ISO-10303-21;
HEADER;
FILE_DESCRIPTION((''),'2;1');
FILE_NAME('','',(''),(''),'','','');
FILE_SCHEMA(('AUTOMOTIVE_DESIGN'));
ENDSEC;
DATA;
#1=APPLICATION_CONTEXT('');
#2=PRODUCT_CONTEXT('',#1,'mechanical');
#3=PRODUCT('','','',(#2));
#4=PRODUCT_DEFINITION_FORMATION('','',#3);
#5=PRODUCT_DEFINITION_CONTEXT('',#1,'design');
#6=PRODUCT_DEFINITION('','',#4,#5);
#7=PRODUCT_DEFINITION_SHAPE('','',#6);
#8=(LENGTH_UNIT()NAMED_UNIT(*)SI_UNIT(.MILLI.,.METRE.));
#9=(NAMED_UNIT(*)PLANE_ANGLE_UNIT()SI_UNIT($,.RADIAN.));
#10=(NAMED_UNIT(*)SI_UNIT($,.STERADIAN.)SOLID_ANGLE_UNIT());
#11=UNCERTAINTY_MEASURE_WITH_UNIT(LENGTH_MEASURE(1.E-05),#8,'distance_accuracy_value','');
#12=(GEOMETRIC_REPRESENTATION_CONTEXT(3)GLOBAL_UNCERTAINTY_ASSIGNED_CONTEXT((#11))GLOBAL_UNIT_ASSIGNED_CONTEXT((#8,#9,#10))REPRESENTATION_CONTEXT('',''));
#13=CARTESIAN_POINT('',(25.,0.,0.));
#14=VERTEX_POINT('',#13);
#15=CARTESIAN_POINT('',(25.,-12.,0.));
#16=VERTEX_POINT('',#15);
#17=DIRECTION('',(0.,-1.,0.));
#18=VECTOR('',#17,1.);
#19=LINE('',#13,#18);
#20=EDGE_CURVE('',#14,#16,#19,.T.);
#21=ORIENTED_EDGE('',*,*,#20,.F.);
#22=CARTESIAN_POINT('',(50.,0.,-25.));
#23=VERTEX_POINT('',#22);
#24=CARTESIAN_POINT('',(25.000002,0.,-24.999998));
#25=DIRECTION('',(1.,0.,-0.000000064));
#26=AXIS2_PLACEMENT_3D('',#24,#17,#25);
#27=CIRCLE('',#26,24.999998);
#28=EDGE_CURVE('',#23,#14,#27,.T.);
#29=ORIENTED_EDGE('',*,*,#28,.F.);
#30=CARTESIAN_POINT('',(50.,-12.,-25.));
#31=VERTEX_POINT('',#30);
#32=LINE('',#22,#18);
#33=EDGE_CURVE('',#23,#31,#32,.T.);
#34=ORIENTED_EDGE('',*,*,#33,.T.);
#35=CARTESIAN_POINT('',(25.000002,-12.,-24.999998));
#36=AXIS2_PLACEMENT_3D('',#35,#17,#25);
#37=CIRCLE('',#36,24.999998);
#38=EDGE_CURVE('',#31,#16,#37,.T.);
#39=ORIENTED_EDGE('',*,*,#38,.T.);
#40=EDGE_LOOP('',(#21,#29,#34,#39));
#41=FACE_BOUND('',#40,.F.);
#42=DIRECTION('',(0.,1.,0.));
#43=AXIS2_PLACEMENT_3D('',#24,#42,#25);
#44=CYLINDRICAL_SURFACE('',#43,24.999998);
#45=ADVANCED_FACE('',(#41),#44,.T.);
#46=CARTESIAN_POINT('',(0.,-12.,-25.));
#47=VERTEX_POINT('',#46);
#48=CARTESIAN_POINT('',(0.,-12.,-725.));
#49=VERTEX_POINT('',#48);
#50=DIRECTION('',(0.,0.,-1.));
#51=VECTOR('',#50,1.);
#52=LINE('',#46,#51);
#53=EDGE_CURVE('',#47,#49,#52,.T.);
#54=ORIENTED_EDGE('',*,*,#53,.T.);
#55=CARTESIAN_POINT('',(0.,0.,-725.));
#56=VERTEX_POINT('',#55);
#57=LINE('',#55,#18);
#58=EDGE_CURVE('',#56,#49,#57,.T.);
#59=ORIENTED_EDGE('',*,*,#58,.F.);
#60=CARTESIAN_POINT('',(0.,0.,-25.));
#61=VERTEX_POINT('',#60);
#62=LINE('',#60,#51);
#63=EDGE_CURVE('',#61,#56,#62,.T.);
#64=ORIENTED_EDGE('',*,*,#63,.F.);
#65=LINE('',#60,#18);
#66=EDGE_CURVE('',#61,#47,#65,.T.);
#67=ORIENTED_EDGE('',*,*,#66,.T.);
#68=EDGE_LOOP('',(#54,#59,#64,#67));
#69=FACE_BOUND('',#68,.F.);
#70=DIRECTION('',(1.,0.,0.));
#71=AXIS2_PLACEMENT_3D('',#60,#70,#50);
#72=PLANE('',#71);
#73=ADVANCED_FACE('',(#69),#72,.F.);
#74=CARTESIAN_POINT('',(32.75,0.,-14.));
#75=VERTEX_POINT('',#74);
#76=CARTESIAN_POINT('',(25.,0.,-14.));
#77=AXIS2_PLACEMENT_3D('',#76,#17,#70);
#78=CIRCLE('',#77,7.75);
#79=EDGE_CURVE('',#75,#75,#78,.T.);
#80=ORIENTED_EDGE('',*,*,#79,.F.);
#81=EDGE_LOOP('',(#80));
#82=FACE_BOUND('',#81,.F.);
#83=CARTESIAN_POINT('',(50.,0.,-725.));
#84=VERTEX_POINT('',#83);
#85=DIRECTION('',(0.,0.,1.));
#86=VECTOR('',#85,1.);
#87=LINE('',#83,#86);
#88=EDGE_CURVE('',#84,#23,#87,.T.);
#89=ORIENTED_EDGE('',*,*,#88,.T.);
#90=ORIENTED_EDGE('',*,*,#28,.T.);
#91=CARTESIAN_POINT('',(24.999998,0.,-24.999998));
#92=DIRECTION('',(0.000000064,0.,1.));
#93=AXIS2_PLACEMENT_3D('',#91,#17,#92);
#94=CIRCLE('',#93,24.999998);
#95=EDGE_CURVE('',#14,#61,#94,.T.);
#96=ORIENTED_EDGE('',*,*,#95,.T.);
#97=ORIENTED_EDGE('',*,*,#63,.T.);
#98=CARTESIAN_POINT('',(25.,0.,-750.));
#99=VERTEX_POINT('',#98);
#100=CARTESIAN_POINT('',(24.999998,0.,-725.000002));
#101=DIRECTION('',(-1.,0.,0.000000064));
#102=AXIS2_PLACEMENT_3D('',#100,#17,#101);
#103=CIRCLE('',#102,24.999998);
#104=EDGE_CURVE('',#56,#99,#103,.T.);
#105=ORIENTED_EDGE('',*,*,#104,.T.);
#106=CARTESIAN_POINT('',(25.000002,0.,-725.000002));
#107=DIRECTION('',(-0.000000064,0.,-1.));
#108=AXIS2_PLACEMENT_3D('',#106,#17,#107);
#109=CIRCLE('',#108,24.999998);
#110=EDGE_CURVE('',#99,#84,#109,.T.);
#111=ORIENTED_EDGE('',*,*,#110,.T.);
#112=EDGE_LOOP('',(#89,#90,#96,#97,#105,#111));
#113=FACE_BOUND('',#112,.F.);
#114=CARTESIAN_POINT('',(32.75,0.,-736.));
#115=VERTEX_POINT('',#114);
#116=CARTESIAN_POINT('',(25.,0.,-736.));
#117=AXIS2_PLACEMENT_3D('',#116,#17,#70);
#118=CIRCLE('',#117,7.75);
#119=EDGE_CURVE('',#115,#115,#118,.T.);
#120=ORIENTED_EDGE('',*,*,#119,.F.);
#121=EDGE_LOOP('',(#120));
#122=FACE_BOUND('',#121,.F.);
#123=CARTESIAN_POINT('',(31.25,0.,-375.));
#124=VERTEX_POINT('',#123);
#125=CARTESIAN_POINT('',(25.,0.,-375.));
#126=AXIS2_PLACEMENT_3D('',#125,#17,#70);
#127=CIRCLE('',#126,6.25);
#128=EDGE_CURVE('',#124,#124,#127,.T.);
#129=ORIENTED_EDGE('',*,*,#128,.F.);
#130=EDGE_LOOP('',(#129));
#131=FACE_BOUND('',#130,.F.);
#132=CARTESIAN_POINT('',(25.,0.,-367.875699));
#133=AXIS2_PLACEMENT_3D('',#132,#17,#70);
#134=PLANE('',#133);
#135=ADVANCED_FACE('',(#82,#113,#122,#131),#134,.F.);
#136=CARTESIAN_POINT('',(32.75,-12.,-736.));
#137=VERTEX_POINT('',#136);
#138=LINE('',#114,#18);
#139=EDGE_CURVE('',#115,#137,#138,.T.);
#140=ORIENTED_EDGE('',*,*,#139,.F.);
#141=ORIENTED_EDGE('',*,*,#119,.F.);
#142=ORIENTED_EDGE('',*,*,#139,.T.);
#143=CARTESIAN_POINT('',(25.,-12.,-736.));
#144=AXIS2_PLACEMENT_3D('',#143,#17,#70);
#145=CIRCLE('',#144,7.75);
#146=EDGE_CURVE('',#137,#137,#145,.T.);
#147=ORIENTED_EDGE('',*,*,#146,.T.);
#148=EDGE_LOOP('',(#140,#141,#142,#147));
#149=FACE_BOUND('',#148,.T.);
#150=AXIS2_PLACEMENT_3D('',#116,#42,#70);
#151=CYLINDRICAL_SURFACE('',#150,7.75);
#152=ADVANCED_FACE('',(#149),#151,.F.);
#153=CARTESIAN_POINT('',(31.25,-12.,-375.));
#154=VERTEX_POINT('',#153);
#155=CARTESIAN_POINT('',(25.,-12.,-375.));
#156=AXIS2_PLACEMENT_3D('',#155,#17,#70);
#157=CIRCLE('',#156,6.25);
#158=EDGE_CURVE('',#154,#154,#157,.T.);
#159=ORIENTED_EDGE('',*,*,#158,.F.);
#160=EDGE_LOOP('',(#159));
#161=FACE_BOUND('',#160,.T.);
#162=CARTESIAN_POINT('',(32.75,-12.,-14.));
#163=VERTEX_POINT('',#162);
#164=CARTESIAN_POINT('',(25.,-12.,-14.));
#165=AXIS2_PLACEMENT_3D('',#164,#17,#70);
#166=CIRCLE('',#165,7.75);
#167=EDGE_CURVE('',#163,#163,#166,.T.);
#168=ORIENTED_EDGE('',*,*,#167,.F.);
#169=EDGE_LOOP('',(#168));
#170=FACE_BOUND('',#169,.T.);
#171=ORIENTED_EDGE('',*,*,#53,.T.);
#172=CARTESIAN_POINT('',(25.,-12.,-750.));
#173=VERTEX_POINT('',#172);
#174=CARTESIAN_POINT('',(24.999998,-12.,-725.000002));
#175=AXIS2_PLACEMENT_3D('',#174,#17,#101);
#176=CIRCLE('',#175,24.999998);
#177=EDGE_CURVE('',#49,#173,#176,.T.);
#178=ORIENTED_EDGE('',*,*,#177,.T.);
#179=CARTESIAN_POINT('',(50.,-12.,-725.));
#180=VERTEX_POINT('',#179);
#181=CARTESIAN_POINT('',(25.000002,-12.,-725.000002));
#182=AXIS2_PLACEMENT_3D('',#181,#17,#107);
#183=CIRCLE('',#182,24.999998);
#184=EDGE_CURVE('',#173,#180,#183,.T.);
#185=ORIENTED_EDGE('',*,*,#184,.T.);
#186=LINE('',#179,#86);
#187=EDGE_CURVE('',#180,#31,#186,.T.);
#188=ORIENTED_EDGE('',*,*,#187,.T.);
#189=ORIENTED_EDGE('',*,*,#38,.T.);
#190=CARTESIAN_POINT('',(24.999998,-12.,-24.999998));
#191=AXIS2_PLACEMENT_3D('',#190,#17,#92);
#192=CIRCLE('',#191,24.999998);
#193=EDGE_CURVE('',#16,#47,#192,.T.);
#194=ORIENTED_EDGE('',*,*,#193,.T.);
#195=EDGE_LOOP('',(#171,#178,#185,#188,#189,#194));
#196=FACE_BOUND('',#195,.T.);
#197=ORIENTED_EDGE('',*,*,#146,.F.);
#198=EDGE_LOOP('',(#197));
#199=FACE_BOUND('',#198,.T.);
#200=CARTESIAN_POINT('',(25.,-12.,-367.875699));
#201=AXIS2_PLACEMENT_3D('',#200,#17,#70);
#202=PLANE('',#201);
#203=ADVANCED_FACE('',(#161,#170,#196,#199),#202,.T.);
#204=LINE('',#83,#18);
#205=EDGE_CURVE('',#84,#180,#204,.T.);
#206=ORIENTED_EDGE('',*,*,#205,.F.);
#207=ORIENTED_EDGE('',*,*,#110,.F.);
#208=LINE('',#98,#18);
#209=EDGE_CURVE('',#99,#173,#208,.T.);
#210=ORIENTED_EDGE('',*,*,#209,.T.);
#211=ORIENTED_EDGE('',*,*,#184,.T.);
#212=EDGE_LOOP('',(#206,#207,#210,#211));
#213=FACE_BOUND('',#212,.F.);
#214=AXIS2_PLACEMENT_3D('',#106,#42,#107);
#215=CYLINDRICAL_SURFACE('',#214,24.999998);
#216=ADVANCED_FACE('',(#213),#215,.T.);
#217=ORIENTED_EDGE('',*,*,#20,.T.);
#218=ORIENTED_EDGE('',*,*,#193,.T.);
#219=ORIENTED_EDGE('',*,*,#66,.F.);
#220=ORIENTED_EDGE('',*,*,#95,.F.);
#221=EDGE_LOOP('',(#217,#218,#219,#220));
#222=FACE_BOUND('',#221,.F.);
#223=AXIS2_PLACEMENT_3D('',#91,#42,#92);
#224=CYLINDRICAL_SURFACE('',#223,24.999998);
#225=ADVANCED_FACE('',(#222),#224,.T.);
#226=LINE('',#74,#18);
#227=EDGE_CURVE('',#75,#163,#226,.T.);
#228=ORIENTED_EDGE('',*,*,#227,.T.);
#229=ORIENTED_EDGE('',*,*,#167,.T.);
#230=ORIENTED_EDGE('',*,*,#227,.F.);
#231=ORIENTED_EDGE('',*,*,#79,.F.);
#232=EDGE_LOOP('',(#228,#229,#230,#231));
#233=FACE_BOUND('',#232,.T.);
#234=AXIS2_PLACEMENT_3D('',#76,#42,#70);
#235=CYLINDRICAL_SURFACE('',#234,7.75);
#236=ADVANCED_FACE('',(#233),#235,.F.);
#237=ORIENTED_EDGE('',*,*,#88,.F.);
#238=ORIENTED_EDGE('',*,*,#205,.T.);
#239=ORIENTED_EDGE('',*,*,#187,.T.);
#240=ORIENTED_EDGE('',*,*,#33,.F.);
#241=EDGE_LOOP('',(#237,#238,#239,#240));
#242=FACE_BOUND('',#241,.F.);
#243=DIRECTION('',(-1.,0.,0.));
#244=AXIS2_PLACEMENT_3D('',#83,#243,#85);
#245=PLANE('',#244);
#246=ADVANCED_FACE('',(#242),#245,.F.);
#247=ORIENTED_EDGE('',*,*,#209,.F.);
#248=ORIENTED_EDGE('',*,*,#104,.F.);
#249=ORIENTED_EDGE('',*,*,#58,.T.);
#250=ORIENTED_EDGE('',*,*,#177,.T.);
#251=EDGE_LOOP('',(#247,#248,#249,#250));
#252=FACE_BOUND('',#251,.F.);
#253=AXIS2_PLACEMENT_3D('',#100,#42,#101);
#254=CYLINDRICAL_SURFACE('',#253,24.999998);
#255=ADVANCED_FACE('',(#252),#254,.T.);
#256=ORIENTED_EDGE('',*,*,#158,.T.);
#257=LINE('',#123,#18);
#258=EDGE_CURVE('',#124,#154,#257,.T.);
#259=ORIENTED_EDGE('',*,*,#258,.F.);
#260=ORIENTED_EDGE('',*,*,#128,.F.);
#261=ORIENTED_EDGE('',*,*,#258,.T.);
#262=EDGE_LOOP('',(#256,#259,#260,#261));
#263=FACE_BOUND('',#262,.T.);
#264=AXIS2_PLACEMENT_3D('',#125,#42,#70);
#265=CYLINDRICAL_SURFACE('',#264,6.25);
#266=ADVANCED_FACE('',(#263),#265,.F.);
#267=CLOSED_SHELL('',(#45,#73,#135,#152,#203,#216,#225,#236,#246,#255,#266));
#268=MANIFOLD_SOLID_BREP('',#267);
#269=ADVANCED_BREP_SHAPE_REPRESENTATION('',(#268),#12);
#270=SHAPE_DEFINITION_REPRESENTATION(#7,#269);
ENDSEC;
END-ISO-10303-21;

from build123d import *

# Parameters (mm, degrees)
F0_R     = 6.25
F0_R_2   = 7.75
F1_DEPTH = 12


with BuildPart() as f1:
    # F0 (on Front) → F1 (new body)
    with BuildSketch(Plane.XZ):
        with BuildLine():
            Line((0, -25), (0, -725))
            Line((0, -725), (50, -725))
            Line((50, -725), (50, -25))
            ThreePointArc((50, -25), (42.67767, -7.32233), (25, 0))
            ThreePointArc((25, 0), (7.32233, -7.32233), (0, -25))
        make_face()
        with Locations((25, -375)):
            Circle(F0_R, mode=Mode.SUBTRACT)
        with Locations((25, -14)):
            Circle(F0_R_2, mode=Mode.SUBTRACT)
        with BuildLine():
            Line((50, -725), (0, -725))
            ThreePointArc((0, -725), (7.32233, -742.67767), (25, -750))
            ThreePointArc((25, -750), (42.67767, -742.67767), (50, -725))
        make_face()
        with Locations((25, -736)):
            Circle(F0_R_2, mode=Mode.SUBTRACT)
    extrude(amount=F1_DEPTH)


solid = f1.part
